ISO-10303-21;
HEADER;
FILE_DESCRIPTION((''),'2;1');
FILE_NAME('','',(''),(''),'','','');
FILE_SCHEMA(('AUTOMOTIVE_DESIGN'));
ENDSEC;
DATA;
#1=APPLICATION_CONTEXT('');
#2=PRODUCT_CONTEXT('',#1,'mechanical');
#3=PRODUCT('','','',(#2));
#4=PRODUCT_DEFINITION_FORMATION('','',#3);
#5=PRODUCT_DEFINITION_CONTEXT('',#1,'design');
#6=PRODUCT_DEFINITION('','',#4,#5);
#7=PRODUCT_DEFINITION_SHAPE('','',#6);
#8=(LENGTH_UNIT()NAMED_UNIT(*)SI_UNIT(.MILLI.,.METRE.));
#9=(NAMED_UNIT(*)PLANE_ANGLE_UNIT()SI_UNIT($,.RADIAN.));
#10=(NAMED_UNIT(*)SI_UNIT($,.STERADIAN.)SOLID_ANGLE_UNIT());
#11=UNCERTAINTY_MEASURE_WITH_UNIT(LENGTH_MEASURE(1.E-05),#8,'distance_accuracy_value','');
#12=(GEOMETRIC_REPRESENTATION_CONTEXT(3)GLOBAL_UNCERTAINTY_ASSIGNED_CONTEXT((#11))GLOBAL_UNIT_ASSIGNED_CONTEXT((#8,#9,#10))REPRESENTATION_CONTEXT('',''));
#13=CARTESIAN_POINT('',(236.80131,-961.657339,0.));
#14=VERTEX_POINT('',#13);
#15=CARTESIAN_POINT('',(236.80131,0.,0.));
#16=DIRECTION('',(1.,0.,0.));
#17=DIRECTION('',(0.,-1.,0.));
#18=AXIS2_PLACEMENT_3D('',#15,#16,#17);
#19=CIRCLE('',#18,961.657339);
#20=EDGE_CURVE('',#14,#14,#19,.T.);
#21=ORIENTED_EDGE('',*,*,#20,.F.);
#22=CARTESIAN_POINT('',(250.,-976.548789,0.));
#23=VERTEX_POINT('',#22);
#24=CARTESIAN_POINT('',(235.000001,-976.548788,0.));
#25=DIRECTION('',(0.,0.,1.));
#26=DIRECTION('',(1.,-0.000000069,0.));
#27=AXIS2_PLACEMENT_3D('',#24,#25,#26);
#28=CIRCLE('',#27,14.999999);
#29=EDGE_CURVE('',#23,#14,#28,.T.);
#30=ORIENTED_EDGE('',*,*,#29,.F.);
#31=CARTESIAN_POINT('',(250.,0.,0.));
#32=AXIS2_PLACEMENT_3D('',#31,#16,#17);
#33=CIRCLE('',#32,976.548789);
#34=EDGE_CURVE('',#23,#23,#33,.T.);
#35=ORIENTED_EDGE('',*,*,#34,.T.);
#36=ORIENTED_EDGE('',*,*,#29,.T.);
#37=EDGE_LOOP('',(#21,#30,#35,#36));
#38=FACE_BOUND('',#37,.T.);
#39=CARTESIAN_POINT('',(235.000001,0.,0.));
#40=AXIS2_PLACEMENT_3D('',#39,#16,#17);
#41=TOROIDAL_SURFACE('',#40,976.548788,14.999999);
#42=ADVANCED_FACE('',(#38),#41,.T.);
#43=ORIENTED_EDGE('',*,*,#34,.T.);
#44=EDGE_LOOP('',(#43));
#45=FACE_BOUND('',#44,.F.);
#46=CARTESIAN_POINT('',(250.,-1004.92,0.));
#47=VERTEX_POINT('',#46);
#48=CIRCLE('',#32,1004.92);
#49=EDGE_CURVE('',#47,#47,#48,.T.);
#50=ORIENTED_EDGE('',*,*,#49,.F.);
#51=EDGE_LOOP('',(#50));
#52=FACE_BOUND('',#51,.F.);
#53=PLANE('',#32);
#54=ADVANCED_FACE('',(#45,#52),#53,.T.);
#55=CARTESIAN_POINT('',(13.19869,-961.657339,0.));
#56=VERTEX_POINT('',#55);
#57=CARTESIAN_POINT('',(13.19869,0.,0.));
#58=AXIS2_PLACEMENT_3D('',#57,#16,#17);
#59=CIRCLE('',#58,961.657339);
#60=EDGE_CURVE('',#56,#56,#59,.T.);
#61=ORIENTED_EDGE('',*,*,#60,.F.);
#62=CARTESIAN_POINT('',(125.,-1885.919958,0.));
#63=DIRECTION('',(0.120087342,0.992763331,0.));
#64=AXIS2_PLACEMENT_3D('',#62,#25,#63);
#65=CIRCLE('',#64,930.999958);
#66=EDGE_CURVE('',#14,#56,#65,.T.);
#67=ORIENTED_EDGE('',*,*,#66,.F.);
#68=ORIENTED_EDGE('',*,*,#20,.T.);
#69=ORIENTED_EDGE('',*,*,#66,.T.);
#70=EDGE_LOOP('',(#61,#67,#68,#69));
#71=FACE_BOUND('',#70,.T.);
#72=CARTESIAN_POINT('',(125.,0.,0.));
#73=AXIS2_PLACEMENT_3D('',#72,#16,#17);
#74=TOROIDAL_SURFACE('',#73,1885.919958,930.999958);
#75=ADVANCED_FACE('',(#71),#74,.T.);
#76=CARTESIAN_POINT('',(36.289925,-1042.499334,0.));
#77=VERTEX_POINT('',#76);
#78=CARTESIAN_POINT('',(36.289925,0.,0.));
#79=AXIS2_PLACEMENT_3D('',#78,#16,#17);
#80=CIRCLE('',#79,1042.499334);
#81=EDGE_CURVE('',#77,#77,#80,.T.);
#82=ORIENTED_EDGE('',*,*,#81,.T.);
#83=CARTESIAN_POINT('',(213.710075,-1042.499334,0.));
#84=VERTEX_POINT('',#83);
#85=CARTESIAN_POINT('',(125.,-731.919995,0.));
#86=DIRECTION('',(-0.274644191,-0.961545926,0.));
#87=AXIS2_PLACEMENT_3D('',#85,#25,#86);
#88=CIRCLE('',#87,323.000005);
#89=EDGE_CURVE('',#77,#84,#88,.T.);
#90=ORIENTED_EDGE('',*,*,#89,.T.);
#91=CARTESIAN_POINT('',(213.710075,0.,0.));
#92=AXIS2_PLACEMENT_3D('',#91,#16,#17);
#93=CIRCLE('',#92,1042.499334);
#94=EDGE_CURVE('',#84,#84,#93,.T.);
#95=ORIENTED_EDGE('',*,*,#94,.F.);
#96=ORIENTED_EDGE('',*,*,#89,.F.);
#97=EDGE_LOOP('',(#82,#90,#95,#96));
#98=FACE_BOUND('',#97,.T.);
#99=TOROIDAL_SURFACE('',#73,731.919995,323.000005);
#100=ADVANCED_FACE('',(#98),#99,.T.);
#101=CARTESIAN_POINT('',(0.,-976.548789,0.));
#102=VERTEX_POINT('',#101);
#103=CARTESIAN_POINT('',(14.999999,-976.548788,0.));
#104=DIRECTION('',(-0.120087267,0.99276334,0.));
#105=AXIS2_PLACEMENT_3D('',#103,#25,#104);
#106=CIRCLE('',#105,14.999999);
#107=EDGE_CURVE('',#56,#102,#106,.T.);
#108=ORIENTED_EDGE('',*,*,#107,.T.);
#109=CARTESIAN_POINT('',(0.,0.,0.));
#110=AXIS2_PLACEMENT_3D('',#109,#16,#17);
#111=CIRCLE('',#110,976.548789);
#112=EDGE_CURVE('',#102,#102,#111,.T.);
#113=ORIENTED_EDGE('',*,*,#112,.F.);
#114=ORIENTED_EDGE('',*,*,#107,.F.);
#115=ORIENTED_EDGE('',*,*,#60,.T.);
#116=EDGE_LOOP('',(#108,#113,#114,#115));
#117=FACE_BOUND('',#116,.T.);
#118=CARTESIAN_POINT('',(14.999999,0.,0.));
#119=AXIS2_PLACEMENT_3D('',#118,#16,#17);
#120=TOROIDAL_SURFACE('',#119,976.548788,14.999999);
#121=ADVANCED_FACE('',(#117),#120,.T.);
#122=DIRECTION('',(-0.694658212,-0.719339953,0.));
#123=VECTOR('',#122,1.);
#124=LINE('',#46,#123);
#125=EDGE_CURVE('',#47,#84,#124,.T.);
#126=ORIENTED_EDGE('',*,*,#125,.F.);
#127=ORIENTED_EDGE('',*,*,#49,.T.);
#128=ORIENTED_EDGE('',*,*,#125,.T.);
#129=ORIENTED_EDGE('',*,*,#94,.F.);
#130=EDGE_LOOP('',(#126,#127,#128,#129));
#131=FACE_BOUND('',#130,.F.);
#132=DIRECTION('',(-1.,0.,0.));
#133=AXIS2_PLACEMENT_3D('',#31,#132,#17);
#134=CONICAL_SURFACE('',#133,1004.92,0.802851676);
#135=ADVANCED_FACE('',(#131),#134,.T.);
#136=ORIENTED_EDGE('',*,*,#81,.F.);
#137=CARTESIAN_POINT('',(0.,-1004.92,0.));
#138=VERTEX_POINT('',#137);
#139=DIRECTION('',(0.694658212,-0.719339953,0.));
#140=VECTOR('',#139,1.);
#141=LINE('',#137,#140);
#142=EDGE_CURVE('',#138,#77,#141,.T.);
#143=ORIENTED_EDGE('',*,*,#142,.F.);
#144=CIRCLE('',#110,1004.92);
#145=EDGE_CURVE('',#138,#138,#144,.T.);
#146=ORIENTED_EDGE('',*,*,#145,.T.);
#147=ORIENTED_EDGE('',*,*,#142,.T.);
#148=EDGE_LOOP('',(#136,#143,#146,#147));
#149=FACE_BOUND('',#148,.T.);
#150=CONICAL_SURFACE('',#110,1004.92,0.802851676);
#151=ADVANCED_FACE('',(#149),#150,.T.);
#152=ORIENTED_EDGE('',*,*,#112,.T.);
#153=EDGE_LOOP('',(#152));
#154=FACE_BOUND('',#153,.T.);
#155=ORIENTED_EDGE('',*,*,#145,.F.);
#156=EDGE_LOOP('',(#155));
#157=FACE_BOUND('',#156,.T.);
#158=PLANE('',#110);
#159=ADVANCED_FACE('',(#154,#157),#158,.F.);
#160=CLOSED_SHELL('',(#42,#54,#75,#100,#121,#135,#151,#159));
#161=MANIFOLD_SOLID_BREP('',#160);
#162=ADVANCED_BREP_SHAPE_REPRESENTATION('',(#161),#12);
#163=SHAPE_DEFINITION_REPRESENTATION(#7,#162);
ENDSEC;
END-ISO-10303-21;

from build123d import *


with BuildPart() as part:
    # Sketch → Revolution (revolve)
    with BuildSketch(Plane.XY):
        with BuildLine():
            Line((250, -976.548789), (250, -1004.92))
            Line((250, -1004.92), (213.710075, -1042.499334))
            ThreePointArc((36.289925, -1042.499334), (125, -1054.92), (213.710075, -1042.499334))
            Line((0, -1004.92), (36.289925, -1042.499334))
            Line((0, -976.548789), (0, -1004.92))
            ThreePointArc((13.19869, -961.657339), (3.77459, -966.599408), (0, -976.548789))
            ThreePointArc((236.80131, -961.657339), (125, -954.92), (13.19869, -961.657339))
            ThreePointArc((250, -976.548789), (246.22541, -966.599408), (236.80131, -961.657339))
        make_face()
    revolve(axis=Axis((0, 0, 0), (1, 0, 0)))


solid = part.part
